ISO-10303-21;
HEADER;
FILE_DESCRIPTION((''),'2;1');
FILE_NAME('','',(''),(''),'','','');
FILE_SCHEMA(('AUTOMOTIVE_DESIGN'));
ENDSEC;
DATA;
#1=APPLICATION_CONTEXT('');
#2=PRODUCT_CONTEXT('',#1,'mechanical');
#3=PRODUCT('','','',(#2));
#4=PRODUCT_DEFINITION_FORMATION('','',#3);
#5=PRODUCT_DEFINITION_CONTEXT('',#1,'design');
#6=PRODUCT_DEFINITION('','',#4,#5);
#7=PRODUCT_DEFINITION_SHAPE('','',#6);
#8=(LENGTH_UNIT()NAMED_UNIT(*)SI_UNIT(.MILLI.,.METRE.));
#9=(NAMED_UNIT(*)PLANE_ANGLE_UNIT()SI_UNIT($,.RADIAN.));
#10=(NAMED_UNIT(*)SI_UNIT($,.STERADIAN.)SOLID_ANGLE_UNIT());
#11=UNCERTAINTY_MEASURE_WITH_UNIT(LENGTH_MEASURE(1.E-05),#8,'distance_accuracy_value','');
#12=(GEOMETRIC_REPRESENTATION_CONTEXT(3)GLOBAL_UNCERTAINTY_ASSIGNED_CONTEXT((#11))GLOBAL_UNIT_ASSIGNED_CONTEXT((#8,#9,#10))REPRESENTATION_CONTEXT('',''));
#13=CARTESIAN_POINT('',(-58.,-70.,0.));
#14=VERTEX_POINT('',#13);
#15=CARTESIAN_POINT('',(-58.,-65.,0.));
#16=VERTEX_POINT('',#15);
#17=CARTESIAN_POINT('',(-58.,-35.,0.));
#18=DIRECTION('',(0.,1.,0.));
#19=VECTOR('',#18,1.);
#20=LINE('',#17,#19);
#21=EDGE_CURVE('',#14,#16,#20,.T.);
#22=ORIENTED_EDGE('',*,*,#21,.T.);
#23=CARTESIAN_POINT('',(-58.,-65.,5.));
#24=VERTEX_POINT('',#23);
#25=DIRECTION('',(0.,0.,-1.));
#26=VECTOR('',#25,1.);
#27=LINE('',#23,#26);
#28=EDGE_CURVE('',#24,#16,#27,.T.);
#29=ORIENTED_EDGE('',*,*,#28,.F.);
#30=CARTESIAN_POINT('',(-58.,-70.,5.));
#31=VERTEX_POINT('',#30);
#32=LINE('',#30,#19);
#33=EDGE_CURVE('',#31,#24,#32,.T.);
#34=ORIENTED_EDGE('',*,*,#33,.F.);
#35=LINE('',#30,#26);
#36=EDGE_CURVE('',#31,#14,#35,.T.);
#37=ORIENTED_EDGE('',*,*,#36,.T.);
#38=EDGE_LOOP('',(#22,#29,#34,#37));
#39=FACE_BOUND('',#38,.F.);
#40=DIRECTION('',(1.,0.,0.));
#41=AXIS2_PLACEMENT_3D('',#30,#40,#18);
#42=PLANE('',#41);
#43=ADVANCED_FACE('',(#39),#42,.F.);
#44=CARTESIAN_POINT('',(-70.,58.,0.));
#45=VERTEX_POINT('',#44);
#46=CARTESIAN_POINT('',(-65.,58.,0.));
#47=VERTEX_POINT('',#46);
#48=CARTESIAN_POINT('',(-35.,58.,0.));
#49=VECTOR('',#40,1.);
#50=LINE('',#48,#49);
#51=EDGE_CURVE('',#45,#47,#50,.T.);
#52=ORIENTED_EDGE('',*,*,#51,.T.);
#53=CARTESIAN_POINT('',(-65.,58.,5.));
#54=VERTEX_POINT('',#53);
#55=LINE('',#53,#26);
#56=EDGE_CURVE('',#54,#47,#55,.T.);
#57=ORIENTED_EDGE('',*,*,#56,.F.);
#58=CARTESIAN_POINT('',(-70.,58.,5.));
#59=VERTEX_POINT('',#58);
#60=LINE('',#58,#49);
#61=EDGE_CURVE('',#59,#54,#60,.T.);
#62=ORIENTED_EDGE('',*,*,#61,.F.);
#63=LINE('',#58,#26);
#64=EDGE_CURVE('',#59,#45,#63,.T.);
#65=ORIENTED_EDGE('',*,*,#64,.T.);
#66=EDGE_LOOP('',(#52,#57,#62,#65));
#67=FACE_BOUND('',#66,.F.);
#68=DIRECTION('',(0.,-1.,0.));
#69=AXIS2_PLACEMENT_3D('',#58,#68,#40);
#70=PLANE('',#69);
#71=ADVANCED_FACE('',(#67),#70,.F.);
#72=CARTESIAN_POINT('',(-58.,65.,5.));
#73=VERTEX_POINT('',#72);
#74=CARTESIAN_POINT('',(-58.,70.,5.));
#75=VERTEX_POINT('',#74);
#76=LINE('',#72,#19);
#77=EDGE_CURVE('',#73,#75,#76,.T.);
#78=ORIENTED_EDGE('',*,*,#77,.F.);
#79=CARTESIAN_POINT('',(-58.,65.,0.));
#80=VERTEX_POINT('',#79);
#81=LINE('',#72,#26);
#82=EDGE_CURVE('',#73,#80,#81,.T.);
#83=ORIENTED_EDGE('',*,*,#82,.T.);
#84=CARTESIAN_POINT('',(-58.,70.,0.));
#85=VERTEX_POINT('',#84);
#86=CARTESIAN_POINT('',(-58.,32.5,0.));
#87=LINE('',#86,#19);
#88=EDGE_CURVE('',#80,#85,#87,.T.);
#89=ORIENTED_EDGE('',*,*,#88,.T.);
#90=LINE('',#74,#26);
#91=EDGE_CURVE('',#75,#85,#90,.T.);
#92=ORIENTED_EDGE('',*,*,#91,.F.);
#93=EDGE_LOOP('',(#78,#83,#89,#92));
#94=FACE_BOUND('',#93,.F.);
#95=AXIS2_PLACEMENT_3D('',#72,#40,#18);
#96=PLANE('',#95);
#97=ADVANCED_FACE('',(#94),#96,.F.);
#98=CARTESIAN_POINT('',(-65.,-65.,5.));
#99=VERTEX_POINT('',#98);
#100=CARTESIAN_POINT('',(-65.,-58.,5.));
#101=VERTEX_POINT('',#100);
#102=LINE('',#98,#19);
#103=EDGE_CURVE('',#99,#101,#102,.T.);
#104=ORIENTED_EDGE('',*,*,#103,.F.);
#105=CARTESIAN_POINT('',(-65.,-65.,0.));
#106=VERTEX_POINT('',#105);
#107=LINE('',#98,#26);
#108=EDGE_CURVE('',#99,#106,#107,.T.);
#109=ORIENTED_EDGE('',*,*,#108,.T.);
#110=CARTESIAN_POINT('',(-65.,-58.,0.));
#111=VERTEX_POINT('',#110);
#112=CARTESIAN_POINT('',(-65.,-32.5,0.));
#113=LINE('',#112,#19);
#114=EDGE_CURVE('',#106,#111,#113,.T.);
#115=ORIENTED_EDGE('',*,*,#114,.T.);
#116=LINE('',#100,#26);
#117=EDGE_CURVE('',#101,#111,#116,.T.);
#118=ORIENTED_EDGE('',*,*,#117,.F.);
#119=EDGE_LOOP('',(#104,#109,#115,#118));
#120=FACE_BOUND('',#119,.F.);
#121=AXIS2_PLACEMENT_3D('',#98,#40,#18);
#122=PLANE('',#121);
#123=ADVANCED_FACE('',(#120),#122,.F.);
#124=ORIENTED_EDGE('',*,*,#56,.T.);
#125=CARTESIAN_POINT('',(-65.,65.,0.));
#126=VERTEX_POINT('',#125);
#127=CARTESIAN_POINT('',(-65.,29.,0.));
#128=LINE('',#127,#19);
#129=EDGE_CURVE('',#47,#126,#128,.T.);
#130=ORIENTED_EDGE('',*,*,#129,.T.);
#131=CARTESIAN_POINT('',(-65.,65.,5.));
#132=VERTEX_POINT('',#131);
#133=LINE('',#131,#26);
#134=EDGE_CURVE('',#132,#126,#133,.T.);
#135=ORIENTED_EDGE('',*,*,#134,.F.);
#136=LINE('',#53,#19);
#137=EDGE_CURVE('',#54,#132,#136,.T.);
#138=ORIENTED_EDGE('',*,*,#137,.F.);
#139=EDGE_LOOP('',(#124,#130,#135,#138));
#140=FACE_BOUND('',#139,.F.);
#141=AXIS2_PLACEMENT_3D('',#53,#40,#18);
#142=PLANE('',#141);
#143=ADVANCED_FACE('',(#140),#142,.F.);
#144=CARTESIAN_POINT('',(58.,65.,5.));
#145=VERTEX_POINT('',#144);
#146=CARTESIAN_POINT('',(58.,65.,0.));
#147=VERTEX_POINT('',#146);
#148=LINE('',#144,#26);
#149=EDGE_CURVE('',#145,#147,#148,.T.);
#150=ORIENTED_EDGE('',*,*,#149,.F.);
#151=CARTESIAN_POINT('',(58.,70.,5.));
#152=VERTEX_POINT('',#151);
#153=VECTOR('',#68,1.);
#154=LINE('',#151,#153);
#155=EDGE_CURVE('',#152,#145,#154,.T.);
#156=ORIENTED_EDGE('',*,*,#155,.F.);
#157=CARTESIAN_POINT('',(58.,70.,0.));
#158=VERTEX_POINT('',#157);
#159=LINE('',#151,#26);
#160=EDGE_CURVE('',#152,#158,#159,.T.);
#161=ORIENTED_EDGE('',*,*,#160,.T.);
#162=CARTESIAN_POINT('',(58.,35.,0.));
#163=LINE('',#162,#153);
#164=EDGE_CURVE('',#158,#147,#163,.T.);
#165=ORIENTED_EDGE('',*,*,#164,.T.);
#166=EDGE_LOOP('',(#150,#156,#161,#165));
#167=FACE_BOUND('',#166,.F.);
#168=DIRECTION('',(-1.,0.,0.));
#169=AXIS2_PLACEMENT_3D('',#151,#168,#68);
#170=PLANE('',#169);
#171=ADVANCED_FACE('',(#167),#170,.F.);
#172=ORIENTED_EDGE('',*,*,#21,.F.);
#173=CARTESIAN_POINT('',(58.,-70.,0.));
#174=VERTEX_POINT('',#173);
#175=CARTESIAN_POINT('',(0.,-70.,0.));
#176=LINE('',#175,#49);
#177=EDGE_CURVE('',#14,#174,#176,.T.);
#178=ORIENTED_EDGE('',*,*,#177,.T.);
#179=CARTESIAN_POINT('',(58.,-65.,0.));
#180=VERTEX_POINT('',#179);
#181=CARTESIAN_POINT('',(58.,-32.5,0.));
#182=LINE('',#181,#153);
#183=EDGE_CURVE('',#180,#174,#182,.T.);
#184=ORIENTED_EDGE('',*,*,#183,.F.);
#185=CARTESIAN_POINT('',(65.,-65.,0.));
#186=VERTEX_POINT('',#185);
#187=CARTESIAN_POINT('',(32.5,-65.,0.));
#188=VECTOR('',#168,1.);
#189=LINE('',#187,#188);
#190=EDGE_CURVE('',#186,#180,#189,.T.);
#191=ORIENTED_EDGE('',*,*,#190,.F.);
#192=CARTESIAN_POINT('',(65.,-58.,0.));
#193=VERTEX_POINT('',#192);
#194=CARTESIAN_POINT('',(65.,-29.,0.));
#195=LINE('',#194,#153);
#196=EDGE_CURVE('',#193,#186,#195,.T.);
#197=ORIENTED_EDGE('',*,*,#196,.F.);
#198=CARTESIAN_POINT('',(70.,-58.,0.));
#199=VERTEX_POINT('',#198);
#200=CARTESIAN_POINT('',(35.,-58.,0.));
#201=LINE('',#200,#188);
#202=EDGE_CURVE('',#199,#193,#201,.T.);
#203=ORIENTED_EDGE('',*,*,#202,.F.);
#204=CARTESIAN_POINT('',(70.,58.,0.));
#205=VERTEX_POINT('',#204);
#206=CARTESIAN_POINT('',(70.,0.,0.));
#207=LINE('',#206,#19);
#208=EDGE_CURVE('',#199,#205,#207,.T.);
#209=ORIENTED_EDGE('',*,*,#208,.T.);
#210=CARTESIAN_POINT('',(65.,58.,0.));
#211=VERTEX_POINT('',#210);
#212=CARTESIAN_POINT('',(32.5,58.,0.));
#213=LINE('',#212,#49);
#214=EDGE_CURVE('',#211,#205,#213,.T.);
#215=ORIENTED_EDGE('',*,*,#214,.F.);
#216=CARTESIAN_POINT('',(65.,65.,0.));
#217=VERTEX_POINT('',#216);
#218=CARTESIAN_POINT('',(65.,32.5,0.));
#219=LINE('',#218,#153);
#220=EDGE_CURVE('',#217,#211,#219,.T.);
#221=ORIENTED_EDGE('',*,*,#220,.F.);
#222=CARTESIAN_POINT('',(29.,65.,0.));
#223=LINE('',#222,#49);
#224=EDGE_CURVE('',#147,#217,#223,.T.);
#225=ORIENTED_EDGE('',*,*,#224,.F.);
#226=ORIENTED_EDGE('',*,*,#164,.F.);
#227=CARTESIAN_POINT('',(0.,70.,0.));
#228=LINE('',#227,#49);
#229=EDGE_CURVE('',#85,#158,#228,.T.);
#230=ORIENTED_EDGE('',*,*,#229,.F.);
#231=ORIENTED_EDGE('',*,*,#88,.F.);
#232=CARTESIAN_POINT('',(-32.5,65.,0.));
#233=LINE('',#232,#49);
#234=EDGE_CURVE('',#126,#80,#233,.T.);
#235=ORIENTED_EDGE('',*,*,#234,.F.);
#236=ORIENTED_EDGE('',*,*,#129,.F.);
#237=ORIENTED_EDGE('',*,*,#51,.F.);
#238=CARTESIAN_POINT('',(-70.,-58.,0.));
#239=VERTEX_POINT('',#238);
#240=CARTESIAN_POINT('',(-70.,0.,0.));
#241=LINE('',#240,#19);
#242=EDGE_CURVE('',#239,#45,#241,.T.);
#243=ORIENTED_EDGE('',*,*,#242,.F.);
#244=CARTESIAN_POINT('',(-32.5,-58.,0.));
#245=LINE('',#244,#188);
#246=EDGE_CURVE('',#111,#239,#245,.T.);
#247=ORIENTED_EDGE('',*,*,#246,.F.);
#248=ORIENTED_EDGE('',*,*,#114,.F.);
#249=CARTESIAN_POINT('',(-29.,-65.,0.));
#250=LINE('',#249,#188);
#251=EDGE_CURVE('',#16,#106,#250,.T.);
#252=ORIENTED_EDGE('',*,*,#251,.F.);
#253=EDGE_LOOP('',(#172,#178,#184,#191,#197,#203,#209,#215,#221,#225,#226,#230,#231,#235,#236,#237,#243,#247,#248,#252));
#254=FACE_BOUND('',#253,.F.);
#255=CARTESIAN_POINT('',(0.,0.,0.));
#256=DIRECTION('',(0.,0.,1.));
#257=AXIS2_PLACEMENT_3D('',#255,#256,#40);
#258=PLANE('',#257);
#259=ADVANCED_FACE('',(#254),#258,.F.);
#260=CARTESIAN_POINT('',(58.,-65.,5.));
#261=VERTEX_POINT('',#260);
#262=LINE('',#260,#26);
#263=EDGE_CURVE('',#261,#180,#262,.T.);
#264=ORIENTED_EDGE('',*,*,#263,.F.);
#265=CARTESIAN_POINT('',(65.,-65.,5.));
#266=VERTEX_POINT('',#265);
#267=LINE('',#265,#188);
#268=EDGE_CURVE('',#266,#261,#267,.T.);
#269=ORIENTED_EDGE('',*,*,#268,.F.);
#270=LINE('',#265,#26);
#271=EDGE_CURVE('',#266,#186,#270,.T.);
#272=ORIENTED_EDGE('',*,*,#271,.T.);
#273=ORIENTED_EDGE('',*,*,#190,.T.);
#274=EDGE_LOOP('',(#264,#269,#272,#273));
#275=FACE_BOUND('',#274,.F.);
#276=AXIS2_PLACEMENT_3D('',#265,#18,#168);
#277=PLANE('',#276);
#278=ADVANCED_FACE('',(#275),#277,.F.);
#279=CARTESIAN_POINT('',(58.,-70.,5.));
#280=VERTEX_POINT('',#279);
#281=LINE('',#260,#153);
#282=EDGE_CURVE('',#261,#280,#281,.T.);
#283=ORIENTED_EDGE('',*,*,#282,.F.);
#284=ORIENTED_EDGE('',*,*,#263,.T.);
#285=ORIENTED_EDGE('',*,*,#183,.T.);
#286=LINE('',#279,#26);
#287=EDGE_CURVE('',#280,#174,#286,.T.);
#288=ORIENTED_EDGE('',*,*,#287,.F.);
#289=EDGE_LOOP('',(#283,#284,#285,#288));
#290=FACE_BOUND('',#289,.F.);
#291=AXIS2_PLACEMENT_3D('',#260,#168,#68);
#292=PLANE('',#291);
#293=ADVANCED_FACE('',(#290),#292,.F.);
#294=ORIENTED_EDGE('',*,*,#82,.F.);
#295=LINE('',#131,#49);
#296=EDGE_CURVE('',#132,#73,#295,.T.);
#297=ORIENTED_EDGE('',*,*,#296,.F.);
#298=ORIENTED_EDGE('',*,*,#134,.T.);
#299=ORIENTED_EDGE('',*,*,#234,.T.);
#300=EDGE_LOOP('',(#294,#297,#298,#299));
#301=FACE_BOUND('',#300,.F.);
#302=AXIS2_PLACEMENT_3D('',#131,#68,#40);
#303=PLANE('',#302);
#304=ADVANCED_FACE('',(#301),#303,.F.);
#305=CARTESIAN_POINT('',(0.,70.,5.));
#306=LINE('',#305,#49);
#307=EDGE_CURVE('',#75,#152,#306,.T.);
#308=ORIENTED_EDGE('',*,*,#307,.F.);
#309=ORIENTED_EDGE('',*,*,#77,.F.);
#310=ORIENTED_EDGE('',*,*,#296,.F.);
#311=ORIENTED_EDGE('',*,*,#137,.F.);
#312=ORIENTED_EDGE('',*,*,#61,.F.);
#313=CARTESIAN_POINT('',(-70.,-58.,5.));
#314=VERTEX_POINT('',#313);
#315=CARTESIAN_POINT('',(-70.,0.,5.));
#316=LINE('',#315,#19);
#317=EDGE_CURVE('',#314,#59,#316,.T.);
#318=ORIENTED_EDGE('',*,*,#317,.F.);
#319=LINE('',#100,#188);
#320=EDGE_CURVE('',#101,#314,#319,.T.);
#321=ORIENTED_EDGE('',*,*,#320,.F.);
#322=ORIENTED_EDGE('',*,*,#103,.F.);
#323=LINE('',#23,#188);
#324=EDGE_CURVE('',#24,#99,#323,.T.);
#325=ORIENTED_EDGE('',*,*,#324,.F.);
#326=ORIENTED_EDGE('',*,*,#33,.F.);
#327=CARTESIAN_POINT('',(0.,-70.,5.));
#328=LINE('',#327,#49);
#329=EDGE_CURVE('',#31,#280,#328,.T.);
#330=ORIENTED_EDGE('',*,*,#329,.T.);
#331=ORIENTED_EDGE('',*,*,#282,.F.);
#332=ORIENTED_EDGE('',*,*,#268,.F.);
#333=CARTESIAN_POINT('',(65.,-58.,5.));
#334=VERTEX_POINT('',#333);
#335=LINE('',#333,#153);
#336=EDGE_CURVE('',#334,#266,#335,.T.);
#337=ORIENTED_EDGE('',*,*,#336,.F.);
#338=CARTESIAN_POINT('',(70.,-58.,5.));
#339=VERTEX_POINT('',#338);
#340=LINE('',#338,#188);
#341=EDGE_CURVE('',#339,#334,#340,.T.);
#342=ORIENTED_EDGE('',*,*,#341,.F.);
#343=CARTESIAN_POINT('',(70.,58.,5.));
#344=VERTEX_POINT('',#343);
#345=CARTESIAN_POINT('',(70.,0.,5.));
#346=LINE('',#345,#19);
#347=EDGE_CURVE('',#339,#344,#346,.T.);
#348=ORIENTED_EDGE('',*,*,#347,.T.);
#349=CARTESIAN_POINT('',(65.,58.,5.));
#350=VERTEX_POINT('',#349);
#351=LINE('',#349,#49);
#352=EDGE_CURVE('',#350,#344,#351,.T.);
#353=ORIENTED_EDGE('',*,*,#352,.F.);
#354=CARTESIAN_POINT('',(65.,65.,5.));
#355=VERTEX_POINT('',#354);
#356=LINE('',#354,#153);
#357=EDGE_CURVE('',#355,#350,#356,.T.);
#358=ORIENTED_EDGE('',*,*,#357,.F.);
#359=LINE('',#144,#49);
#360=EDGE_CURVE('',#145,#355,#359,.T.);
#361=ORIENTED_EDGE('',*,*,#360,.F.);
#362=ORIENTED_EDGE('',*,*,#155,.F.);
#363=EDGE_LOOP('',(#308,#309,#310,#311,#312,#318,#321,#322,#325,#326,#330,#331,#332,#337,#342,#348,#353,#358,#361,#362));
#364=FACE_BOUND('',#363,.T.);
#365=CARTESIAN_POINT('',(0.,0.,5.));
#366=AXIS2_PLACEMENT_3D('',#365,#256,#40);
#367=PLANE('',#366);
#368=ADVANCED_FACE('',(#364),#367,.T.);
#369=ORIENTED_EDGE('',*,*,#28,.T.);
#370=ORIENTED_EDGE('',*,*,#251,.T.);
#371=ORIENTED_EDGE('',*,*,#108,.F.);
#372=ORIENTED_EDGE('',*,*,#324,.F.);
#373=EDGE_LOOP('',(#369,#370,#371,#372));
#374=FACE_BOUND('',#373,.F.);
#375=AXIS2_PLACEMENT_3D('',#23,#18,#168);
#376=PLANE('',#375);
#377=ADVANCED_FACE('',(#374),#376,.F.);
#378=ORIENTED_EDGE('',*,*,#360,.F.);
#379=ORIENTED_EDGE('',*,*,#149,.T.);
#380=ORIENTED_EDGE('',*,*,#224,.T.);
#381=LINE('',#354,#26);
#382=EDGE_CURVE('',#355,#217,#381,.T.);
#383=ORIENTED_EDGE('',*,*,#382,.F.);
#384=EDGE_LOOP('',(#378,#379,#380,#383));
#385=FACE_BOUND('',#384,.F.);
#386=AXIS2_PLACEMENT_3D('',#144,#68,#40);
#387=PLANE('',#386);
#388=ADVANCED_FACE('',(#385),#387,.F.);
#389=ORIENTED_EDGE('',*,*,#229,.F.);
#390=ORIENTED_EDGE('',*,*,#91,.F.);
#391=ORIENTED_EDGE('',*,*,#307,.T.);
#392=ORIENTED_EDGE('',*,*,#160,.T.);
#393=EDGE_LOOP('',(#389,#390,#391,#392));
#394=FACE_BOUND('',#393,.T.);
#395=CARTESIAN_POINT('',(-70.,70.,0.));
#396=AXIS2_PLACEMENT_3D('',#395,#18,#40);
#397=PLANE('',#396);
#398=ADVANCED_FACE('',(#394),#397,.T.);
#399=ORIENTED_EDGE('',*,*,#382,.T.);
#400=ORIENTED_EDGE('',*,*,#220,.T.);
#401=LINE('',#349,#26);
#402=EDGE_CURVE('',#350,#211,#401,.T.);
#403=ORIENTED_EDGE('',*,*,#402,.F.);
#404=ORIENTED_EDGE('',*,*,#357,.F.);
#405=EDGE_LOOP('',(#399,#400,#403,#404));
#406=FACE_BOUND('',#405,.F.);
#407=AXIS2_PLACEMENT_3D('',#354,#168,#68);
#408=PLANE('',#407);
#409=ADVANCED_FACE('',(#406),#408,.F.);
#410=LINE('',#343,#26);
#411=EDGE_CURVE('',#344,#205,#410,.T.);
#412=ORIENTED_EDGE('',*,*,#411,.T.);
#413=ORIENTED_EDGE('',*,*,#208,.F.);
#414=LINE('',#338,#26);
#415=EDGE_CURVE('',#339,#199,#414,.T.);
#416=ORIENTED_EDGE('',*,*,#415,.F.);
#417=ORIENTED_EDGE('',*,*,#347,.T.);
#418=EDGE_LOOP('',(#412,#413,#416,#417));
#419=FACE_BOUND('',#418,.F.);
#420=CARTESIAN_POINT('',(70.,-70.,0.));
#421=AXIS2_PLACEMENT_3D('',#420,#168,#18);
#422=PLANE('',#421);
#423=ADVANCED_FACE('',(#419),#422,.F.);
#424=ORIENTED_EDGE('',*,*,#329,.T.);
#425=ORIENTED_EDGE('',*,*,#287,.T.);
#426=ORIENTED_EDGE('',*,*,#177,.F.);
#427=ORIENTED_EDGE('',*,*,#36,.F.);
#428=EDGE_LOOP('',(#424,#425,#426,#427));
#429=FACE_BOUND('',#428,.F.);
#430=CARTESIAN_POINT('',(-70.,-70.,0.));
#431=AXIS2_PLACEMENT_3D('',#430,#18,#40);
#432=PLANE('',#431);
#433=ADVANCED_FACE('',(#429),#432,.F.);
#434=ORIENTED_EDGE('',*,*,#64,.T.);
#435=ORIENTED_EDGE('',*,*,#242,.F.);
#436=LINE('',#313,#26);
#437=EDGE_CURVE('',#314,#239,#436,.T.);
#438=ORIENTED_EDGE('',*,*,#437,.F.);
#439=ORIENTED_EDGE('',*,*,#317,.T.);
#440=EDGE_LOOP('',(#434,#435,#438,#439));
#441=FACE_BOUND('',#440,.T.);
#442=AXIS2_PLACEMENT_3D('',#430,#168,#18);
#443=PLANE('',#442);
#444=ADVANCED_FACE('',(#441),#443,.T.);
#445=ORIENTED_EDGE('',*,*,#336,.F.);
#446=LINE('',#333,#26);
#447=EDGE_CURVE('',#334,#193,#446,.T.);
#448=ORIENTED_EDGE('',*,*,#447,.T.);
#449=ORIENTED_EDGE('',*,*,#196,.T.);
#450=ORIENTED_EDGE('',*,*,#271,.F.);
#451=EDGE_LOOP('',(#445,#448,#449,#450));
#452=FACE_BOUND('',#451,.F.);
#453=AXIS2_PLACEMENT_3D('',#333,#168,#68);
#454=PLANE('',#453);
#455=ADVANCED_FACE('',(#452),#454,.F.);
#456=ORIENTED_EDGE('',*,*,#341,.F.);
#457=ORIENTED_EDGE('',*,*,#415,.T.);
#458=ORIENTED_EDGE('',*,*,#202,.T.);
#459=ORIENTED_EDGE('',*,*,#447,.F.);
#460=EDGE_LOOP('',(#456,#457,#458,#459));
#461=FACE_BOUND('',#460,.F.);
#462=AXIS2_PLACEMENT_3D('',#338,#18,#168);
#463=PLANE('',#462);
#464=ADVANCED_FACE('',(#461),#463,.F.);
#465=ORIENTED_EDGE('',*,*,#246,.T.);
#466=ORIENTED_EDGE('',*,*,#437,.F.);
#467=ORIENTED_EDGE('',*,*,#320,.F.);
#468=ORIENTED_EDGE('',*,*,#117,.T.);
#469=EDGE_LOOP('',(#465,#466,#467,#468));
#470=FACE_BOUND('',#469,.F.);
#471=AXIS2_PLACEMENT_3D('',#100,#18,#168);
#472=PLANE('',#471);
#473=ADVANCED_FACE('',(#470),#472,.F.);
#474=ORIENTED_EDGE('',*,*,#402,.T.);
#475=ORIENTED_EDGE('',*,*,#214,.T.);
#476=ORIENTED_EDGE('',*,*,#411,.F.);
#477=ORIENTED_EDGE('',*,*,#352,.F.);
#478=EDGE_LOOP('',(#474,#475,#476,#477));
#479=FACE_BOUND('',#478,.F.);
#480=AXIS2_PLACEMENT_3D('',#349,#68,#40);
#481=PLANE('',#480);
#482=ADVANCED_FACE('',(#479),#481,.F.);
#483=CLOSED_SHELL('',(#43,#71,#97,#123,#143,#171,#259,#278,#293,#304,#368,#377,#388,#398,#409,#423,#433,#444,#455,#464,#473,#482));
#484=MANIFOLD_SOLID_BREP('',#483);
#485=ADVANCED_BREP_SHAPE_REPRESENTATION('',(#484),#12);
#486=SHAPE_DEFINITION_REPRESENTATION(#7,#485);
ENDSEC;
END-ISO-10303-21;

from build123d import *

# Parameters (mm, degrees)
F0_W     = 140
F0_H     = 140
F1_DEPTH = 5
F3_DEPTH = 5.001


with BuildPart() as f1:
    # F0 (on Top) → F1 (new body)
    with BuildSketch(Plane.XY):
        Rectangle(F0_W, F0_H)
    extrude(amount=F1_DEPTH)

    # F2 (on face) → F3 (cut, through all)
    with BuildSketch(Plane.XY.offset(5)):
        Polygon((-70, 70), (-70, 58), (-65, 58), (-65, 65), (-58, 65), (-58, 70), align=None)
        Polygon((70, 70), (58, 70), (58, 65), (65, 65), (65, 58), (70, 58), align=None)
        Polygon((58, -65), (58, -70), (70, -70), (70, -58), (65, -58), (65, -65), align=None)
        Polygon((-65, -58), (-70, -58), (-70, -70), (-58, -70), (-58, -65), (-65, -65), align=None)
    extrude(amount=-F3_DEPTH, mode=Mode.SUBTRACT)


solid = f1.part
